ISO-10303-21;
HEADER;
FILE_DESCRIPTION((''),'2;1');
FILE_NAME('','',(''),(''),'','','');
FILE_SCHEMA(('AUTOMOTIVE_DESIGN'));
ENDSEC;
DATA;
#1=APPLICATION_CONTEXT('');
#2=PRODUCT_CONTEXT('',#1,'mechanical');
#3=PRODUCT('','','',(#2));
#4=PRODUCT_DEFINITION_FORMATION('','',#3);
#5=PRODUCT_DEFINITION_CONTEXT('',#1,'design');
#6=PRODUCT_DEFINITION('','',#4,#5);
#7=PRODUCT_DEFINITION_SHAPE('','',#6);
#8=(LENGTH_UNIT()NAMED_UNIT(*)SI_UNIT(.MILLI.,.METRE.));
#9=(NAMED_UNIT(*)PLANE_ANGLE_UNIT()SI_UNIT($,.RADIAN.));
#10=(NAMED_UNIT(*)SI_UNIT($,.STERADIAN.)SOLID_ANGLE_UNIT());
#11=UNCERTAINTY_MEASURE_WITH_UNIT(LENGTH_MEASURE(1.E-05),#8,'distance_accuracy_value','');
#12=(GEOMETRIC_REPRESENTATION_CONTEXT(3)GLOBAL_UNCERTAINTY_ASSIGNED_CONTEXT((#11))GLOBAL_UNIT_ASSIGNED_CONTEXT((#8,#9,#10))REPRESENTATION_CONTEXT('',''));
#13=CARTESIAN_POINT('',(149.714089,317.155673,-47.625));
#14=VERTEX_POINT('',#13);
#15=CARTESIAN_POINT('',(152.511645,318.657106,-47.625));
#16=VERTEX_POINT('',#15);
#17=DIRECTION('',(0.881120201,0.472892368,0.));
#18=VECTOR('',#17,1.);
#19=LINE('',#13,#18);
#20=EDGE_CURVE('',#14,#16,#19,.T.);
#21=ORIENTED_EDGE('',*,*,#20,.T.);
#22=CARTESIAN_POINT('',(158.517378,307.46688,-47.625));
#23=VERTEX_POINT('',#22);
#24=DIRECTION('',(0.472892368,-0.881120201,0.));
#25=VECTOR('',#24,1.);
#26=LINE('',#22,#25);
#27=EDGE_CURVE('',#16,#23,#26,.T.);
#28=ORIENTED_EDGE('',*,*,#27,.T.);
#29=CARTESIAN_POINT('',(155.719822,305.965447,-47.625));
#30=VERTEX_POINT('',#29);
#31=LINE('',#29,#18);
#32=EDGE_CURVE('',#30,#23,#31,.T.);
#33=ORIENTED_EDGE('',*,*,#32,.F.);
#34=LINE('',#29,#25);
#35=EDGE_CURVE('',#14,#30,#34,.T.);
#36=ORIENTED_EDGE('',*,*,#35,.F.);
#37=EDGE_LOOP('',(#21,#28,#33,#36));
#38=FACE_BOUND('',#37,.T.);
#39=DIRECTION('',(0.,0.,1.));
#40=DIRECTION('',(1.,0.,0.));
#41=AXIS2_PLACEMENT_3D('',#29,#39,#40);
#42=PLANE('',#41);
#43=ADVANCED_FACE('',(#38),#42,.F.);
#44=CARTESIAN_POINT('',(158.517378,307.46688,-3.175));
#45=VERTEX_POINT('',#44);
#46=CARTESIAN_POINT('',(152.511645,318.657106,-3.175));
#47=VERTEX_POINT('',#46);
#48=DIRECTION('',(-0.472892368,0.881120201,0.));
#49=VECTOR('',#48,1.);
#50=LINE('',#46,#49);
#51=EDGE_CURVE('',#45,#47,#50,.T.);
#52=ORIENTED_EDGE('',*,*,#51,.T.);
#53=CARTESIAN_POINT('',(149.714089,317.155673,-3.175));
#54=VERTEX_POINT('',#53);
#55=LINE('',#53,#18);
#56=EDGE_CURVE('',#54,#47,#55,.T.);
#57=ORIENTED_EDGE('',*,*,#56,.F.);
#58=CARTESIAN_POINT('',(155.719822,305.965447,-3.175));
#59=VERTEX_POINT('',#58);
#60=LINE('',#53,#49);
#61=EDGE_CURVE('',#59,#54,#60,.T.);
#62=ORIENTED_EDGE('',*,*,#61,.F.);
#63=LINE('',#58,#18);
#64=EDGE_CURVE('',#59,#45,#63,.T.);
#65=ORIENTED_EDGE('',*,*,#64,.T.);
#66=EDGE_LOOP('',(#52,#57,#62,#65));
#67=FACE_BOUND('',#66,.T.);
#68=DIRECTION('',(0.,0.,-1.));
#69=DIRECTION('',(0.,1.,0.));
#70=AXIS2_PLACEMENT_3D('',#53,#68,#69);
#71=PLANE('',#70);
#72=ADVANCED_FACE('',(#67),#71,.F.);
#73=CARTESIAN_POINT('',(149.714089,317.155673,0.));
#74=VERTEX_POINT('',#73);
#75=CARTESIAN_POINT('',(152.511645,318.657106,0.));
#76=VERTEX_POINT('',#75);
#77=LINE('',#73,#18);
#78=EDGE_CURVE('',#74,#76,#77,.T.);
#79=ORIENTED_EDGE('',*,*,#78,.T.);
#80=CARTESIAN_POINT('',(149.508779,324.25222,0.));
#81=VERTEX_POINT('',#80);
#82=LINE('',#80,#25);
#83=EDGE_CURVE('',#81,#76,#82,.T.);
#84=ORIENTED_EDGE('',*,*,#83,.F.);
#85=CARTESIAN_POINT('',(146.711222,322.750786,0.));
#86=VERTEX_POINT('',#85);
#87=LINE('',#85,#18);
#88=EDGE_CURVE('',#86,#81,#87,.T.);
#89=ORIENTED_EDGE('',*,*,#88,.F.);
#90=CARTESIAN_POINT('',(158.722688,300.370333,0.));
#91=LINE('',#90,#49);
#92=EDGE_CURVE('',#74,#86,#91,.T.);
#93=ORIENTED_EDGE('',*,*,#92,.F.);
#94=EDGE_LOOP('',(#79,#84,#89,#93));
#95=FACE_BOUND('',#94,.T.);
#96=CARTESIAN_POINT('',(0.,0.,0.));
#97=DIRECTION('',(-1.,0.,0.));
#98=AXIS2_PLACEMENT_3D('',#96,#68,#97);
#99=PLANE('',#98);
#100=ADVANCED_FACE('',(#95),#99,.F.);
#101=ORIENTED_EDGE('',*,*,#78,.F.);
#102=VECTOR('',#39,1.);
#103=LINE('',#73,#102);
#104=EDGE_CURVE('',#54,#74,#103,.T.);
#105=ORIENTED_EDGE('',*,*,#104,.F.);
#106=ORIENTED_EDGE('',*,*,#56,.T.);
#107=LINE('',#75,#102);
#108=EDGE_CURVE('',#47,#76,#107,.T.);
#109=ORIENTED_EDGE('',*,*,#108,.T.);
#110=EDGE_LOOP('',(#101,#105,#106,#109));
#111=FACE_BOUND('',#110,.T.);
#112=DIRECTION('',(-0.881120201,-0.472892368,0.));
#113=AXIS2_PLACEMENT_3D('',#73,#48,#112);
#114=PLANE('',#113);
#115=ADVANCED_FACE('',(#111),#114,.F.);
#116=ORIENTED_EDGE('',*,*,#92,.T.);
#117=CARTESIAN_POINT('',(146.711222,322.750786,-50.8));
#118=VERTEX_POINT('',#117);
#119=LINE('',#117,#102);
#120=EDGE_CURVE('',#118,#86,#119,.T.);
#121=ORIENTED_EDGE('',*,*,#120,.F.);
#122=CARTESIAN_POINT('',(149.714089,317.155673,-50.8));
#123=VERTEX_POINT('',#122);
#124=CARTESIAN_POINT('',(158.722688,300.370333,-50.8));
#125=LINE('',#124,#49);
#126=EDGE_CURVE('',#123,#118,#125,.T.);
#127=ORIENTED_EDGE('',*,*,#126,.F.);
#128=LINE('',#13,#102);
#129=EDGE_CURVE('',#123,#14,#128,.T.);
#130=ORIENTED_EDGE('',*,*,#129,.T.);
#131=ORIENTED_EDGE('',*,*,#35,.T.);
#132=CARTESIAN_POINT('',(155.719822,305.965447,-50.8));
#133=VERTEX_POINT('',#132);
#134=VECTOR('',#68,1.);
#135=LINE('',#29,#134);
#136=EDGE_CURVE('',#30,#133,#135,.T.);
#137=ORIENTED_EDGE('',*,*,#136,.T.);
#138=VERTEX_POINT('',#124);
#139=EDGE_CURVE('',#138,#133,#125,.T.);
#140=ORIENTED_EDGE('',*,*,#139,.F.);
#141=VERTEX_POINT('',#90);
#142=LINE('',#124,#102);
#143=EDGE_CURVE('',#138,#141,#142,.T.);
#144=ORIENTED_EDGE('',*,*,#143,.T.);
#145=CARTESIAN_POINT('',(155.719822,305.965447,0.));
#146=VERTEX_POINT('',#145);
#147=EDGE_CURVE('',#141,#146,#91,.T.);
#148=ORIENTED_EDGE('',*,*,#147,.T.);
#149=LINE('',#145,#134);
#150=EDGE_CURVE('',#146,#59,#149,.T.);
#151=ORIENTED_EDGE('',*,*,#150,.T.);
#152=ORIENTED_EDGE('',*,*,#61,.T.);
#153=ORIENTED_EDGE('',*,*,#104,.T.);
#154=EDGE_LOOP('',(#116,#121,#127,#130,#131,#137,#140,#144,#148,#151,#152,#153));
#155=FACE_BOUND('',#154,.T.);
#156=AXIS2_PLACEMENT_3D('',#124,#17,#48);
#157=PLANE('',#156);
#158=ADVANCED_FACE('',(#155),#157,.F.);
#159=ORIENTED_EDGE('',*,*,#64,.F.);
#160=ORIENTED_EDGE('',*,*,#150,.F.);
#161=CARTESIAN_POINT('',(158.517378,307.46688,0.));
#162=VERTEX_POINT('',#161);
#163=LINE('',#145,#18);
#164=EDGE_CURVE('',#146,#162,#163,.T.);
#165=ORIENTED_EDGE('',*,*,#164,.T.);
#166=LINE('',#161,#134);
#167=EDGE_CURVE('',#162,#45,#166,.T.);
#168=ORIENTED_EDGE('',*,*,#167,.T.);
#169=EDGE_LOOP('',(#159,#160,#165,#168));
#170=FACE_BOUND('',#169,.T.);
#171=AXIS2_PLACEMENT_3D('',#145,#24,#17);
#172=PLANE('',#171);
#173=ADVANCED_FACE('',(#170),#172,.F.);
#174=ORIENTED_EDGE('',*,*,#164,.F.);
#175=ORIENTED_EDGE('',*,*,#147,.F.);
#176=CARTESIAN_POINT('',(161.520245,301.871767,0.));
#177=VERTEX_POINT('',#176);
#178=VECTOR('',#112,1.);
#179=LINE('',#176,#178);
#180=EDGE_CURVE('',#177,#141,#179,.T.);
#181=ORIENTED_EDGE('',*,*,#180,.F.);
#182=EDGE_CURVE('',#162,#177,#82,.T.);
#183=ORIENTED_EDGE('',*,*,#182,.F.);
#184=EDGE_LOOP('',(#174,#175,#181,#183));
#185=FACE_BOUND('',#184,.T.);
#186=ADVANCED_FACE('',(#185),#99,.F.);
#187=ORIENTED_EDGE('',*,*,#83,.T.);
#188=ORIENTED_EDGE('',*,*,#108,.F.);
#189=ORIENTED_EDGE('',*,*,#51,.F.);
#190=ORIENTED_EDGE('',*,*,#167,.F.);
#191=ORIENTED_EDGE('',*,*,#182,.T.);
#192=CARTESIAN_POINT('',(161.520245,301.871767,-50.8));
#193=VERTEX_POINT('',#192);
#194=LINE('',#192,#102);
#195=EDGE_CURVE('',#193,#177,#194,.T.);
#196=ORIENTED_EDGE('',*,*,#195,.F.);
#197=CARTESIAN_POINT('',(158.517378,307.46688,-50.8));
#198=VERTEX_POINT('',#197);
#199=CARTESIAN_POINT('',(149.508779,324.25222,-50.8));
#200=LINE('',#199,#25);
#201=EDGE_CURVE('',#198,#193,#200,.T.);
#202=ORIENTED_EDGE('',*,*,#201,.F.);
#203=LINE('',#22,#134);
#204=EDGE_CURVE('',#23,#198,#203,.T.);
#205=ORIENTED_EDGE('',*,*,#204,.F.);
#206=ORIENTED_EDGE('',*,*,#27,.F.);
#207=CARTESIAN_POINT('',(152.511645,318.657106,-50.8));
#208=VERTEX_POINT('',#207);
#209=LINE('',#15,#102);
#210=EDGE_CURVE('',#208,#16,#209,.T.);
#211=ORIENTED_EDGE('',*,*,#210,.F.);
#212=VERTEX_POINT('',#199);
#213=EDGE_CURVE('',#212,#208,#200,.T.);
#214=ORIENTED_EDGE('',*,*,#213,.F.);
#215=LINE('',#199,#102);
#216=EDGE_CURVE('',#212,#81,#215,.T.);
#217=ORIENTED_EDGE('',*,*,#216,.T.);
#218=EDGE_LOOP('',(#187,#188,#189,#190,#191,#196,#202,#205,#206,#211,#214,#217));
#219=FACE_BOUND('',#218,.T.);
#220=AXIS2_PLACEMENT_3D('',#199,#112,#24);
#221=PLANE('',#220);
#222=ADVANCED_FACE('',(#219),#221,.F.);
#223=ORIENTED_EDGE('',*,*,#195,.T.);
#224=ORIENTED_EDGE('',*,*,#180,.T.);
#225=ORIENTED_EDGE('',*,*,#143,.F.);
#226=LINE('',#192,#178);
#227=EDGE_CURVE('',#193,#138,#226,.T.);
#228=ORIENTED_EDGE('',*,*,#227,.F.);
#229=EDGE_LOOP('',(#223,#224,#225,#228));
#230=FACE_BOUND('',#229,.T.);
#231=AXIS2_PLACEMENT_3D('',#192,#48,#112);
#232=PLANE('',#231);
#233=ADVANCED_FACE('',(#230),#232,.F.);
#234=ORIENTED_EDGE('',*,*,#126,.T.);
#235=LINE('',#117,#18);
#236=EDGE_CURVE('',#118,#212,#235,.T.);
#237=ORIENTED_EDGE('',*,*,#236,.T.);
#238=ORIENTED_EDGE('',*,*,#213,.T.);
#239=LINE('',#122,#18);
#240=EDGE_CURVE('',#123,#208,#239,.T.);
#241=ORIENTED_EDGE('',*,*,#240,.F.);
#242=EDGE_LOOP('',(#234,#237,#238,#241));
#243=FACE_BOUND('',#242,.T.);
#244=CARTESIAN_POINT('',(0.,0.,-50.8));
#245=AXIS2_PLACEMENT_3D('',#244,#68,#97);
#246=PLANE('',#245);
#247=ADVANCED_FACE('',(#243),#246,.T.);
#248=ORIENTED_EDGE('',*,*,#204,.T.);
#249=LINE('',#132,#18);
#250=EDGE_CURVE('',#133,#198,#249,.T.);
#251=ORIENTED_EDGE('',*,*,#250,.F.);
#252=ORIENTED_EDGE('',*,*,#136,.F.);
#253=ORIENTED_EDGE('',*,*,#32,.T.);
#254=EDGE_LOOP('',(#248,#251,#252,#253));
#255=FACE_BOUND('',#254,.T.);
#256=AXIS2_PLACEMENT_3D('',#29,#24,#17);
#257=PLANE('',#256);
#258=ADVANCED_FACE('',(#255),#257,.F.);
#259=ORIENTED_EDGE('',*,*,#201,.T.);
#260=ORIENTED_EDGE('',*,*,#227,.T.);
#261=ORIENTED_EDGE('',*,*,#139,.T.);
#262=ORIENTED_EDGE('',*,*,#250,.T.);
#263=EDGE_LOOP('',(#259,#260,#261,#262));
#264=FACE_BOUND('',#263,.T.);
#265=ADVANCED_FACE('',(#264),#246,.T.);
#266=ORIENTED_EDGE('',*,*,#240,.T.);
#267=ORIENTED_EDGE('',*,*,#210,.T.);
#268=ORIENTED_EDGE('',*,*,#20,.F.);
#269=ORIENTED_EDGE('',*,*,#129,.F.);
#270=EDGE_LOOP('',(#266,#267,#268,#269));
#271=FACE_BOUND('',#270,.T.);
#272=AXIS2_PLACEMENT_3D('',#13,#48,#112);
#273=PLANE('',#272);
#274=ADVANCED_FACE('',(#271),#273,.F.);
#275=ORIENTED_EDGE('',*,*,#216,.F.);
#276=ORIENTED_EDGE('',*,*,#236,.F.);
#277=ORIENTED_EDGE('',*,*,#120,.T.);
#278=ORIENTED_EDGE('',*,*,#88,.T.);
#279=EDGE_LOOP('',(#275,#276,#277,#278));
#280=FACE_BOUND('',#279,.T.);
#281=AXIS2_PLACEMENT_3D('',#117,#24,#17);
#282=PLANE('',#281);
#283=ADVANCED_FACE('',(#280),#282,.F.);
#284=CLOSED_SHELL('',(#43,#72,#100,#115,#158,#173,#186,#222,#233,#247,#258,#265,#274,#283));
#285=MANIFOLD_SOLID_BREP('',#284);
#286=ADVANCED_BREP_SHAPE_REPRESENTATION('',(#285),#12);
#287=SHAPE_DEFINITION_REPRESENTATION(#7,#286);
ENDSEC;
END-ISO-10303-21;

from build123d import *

# Parameters (mm, degrees)
BOSS_EXTRUDE1_DEPTH = 50.8
SKETCH2_W           = 3.175
SKETCH2_H           = 12.7
CUT_EXTRUDE1_DEPTH  = 3.175


with BuildPart() as part:
    # Sketch1 → Boss-Extrude1 (new body)
    with BuildSketch(Plane.XY):
        Polygon((149.508778743, 324.252219732), (161.520244892, 301.871766633), (158.722688254, 300.370333364), (146.711222105, 322.750786464), align=None)
    extrude(amount=-BOSS_EXTRUDE1_DEPTH)

    # Sketch2 → Cut-Extrude1 (cut)
    with BuildSketch(Plane(origin=(251.182349997, 134.808186445, 0), x_dir=(0, 0, -1), z_dir=(0.881120201, 0.472892368, 0))):
        with Locations((1.5875, 202.303620527)):
            Rectangle(SKETCH2_W, SKETCH2_H)
        with Locations((49.2125, 202.303620527)):
            Rectangle(SKETCH2_W, SKETCH2_H)
    extrude(amount=-CUT_EXTRUDE1_DEPTH, mode=Mode.SUBTRACT)


solid = part.part
